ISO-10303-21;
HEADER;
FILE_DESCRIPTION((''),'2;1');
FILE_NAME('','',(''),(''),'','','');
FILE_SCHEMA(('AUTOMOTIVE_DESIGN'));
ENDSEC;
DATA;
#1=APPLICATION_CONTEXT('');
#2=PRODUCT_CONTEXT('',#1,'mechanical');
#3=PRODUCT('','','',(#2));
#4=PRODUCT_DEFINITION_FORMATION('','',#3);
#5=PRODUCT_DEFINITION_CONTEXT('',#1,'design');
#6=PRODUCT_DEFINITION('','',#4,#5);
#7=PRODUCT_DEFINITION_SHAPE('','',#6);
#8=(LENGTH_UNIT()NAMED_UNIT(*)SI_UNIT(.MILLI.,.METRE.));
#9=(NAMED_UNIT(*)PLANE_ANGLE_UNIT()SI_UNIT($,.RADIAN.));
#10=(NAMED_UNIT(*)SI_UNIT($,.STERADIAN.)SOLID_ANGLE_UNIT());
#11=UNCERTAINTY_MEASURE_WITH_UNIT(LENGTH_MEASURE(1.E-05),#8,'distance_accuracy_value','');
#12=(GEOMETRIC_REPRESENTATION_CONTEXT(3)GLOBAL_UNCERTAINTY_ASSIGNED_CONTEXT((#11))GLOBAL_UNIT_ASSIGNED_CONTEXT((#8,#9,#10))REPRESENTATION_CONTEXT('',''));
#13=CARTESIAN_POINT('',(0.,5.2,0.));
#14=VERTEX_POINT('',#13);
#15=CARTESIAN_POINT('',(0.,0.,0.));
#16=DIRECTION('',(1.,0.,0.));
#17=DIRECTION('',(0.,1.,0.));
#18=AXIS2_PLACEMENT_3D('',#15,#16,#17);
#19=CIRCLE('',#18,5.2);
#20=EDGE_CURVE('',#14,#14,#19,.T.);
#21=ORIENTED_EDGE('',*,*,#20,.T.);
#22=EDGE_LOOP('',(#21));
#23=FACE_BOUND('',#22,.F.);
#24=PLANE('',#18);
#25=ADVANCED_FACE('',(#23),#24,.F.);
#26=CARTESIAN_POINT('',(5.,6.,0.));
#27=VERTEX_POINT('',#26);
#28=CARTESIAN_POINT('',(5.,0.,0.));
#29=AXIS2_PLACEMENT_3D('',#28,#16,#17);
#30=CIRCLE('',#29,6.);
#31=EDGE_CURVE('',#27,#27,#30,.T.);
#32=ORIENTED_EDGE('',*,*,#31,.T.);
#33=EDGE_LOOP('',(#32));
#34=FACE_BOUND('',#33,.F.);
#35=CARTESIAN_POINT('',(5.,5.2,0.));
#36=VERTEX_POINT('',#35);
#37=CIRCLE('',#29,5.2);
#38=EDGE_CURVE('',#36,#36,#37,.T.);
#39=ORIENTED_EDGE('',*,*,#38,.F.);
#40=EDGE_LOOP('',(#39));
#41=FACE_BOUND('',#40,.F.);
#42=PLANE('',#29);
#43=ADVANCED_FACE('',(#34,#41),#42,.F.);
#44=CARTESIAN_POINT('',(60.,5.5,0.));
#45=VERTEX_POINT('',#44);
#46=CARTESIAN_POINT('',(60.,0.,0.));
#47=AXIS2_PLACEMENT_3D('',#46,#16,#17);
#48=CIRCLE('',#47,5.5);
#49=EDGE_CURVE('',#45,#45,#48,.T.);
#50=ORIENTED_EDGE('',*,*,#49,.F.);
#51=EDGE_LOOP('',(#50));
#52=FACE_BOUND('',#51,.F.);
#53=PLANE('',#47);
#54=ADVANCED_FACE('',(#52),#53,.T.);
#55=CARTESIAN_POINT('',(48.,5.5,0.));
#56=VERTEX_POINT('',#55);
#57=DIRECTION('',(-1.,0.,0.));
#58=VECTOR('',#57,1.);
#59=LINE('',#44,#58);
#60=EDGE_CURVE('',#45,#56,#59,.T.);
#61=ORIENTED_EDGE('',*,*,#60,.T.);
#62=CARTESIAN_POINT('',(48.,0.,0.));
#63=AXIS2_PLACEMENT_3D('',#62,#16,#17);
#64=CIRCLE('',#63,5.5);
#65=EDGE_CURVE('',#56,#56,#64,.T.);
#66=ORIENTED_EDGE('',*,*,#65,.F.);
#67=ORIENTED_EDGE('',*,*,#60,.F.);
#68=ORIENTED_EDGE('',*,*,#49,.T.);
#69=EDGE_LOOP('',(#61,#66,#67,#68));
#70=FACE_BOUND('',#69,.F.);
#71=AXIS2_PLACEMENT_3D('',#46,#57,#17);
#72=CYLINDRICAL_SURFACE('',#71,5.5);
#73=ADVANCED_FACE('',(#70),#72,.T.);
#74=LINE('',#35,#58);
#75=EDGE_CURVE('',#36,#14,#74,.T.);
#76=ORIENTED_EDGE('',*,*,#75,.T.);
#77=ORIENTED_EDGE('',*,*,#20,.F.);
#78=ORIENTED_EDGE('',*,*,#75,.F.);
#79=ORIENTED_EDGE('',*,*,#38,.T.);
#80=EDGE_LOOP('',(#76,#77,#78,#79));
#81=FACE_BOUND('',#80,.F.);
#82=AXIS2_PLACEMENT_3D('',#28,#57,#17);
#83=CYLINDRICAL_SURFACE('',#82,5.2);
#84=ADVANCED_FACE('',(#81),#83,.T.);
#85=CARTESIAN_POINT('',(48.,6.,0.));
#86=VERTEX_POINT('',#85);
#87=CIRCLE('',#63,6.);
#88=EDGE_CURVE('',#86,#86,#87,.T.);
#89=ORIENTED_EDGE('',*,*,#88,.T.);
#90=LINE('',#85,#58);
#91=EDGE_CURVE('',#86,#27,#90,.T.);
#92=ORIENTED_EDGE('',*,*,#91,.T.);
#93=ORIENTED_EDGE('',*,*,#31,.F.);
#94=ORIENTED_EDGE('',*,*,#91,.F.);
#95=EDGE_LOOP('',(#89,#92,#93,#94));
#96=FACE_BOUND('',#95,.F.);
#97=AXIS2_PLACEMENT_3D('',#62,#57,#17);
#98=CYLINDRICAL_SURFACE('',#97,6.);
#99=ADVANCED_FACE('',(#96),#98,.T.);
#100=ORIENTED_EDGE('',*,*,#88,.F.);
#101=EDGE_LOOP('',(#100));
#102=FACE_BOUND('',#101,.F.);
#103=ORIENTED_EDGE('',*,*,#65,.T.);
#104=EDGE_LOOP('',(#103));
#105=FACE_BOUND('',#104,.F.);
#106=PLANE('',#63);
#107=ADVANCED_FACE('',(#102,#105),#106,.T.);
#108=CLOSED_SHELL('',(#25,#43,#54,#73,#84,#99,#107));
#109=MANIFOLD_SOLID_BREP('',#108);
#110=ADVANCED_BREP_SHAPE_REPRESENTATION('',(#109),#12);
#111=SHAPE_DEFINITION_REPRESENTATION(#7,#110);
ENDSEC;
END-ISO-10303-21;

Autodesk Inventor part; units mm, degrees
ref_plane "YZ Plane" through (0, 0, 0) normal (1, 0, 0) x (0, 1, 0)
ref_plane "XZ Plane" through (0, 0, 0) normal (0, 1, 0) x (-1, 0, 0)
ref_plane "XY Plane" through (0, 0, 0) normal (0, 0, 1) x (1, 0, 0)
sketch "Sketch1" plane through (0, 0, 0) normal (0, 0, 1) x (1, 0, 0)
  line L0 (0, 0) -> (60, 0)
  line L1 (60, 0) -> (60, 5.5)
  line L2 (60, 5.5) -> (48, 5.5)
  line L3 (48, 5.5) -> (48, 6)
  line L4 (48, 6) -> (5, 6)
  line L5 (5, 6) -> (5, 5.2)
  line L6 (5, 5.2) -> (0, 5.2)
  line L7 (0, 5.2) -> (0, 0)
  dimension "d0" = 5.2
  dimension "d1" = 5.5
  dimension "d2" = 6
  dimension "d3" = 5
  dimension "d4" = 48
  dimension "d5" = 60
revolve "Revolution1" add sketch "Sketch1" angle 360 about axis through (0, 0, 0) along (1, 0, 0)
thread "Thread1" size "M12x1.75" class "6g" standard "ANSI Metric M Profile" full length
properties part number "LJ12A3-4-Z Sensor" material "Stainless Steel"
